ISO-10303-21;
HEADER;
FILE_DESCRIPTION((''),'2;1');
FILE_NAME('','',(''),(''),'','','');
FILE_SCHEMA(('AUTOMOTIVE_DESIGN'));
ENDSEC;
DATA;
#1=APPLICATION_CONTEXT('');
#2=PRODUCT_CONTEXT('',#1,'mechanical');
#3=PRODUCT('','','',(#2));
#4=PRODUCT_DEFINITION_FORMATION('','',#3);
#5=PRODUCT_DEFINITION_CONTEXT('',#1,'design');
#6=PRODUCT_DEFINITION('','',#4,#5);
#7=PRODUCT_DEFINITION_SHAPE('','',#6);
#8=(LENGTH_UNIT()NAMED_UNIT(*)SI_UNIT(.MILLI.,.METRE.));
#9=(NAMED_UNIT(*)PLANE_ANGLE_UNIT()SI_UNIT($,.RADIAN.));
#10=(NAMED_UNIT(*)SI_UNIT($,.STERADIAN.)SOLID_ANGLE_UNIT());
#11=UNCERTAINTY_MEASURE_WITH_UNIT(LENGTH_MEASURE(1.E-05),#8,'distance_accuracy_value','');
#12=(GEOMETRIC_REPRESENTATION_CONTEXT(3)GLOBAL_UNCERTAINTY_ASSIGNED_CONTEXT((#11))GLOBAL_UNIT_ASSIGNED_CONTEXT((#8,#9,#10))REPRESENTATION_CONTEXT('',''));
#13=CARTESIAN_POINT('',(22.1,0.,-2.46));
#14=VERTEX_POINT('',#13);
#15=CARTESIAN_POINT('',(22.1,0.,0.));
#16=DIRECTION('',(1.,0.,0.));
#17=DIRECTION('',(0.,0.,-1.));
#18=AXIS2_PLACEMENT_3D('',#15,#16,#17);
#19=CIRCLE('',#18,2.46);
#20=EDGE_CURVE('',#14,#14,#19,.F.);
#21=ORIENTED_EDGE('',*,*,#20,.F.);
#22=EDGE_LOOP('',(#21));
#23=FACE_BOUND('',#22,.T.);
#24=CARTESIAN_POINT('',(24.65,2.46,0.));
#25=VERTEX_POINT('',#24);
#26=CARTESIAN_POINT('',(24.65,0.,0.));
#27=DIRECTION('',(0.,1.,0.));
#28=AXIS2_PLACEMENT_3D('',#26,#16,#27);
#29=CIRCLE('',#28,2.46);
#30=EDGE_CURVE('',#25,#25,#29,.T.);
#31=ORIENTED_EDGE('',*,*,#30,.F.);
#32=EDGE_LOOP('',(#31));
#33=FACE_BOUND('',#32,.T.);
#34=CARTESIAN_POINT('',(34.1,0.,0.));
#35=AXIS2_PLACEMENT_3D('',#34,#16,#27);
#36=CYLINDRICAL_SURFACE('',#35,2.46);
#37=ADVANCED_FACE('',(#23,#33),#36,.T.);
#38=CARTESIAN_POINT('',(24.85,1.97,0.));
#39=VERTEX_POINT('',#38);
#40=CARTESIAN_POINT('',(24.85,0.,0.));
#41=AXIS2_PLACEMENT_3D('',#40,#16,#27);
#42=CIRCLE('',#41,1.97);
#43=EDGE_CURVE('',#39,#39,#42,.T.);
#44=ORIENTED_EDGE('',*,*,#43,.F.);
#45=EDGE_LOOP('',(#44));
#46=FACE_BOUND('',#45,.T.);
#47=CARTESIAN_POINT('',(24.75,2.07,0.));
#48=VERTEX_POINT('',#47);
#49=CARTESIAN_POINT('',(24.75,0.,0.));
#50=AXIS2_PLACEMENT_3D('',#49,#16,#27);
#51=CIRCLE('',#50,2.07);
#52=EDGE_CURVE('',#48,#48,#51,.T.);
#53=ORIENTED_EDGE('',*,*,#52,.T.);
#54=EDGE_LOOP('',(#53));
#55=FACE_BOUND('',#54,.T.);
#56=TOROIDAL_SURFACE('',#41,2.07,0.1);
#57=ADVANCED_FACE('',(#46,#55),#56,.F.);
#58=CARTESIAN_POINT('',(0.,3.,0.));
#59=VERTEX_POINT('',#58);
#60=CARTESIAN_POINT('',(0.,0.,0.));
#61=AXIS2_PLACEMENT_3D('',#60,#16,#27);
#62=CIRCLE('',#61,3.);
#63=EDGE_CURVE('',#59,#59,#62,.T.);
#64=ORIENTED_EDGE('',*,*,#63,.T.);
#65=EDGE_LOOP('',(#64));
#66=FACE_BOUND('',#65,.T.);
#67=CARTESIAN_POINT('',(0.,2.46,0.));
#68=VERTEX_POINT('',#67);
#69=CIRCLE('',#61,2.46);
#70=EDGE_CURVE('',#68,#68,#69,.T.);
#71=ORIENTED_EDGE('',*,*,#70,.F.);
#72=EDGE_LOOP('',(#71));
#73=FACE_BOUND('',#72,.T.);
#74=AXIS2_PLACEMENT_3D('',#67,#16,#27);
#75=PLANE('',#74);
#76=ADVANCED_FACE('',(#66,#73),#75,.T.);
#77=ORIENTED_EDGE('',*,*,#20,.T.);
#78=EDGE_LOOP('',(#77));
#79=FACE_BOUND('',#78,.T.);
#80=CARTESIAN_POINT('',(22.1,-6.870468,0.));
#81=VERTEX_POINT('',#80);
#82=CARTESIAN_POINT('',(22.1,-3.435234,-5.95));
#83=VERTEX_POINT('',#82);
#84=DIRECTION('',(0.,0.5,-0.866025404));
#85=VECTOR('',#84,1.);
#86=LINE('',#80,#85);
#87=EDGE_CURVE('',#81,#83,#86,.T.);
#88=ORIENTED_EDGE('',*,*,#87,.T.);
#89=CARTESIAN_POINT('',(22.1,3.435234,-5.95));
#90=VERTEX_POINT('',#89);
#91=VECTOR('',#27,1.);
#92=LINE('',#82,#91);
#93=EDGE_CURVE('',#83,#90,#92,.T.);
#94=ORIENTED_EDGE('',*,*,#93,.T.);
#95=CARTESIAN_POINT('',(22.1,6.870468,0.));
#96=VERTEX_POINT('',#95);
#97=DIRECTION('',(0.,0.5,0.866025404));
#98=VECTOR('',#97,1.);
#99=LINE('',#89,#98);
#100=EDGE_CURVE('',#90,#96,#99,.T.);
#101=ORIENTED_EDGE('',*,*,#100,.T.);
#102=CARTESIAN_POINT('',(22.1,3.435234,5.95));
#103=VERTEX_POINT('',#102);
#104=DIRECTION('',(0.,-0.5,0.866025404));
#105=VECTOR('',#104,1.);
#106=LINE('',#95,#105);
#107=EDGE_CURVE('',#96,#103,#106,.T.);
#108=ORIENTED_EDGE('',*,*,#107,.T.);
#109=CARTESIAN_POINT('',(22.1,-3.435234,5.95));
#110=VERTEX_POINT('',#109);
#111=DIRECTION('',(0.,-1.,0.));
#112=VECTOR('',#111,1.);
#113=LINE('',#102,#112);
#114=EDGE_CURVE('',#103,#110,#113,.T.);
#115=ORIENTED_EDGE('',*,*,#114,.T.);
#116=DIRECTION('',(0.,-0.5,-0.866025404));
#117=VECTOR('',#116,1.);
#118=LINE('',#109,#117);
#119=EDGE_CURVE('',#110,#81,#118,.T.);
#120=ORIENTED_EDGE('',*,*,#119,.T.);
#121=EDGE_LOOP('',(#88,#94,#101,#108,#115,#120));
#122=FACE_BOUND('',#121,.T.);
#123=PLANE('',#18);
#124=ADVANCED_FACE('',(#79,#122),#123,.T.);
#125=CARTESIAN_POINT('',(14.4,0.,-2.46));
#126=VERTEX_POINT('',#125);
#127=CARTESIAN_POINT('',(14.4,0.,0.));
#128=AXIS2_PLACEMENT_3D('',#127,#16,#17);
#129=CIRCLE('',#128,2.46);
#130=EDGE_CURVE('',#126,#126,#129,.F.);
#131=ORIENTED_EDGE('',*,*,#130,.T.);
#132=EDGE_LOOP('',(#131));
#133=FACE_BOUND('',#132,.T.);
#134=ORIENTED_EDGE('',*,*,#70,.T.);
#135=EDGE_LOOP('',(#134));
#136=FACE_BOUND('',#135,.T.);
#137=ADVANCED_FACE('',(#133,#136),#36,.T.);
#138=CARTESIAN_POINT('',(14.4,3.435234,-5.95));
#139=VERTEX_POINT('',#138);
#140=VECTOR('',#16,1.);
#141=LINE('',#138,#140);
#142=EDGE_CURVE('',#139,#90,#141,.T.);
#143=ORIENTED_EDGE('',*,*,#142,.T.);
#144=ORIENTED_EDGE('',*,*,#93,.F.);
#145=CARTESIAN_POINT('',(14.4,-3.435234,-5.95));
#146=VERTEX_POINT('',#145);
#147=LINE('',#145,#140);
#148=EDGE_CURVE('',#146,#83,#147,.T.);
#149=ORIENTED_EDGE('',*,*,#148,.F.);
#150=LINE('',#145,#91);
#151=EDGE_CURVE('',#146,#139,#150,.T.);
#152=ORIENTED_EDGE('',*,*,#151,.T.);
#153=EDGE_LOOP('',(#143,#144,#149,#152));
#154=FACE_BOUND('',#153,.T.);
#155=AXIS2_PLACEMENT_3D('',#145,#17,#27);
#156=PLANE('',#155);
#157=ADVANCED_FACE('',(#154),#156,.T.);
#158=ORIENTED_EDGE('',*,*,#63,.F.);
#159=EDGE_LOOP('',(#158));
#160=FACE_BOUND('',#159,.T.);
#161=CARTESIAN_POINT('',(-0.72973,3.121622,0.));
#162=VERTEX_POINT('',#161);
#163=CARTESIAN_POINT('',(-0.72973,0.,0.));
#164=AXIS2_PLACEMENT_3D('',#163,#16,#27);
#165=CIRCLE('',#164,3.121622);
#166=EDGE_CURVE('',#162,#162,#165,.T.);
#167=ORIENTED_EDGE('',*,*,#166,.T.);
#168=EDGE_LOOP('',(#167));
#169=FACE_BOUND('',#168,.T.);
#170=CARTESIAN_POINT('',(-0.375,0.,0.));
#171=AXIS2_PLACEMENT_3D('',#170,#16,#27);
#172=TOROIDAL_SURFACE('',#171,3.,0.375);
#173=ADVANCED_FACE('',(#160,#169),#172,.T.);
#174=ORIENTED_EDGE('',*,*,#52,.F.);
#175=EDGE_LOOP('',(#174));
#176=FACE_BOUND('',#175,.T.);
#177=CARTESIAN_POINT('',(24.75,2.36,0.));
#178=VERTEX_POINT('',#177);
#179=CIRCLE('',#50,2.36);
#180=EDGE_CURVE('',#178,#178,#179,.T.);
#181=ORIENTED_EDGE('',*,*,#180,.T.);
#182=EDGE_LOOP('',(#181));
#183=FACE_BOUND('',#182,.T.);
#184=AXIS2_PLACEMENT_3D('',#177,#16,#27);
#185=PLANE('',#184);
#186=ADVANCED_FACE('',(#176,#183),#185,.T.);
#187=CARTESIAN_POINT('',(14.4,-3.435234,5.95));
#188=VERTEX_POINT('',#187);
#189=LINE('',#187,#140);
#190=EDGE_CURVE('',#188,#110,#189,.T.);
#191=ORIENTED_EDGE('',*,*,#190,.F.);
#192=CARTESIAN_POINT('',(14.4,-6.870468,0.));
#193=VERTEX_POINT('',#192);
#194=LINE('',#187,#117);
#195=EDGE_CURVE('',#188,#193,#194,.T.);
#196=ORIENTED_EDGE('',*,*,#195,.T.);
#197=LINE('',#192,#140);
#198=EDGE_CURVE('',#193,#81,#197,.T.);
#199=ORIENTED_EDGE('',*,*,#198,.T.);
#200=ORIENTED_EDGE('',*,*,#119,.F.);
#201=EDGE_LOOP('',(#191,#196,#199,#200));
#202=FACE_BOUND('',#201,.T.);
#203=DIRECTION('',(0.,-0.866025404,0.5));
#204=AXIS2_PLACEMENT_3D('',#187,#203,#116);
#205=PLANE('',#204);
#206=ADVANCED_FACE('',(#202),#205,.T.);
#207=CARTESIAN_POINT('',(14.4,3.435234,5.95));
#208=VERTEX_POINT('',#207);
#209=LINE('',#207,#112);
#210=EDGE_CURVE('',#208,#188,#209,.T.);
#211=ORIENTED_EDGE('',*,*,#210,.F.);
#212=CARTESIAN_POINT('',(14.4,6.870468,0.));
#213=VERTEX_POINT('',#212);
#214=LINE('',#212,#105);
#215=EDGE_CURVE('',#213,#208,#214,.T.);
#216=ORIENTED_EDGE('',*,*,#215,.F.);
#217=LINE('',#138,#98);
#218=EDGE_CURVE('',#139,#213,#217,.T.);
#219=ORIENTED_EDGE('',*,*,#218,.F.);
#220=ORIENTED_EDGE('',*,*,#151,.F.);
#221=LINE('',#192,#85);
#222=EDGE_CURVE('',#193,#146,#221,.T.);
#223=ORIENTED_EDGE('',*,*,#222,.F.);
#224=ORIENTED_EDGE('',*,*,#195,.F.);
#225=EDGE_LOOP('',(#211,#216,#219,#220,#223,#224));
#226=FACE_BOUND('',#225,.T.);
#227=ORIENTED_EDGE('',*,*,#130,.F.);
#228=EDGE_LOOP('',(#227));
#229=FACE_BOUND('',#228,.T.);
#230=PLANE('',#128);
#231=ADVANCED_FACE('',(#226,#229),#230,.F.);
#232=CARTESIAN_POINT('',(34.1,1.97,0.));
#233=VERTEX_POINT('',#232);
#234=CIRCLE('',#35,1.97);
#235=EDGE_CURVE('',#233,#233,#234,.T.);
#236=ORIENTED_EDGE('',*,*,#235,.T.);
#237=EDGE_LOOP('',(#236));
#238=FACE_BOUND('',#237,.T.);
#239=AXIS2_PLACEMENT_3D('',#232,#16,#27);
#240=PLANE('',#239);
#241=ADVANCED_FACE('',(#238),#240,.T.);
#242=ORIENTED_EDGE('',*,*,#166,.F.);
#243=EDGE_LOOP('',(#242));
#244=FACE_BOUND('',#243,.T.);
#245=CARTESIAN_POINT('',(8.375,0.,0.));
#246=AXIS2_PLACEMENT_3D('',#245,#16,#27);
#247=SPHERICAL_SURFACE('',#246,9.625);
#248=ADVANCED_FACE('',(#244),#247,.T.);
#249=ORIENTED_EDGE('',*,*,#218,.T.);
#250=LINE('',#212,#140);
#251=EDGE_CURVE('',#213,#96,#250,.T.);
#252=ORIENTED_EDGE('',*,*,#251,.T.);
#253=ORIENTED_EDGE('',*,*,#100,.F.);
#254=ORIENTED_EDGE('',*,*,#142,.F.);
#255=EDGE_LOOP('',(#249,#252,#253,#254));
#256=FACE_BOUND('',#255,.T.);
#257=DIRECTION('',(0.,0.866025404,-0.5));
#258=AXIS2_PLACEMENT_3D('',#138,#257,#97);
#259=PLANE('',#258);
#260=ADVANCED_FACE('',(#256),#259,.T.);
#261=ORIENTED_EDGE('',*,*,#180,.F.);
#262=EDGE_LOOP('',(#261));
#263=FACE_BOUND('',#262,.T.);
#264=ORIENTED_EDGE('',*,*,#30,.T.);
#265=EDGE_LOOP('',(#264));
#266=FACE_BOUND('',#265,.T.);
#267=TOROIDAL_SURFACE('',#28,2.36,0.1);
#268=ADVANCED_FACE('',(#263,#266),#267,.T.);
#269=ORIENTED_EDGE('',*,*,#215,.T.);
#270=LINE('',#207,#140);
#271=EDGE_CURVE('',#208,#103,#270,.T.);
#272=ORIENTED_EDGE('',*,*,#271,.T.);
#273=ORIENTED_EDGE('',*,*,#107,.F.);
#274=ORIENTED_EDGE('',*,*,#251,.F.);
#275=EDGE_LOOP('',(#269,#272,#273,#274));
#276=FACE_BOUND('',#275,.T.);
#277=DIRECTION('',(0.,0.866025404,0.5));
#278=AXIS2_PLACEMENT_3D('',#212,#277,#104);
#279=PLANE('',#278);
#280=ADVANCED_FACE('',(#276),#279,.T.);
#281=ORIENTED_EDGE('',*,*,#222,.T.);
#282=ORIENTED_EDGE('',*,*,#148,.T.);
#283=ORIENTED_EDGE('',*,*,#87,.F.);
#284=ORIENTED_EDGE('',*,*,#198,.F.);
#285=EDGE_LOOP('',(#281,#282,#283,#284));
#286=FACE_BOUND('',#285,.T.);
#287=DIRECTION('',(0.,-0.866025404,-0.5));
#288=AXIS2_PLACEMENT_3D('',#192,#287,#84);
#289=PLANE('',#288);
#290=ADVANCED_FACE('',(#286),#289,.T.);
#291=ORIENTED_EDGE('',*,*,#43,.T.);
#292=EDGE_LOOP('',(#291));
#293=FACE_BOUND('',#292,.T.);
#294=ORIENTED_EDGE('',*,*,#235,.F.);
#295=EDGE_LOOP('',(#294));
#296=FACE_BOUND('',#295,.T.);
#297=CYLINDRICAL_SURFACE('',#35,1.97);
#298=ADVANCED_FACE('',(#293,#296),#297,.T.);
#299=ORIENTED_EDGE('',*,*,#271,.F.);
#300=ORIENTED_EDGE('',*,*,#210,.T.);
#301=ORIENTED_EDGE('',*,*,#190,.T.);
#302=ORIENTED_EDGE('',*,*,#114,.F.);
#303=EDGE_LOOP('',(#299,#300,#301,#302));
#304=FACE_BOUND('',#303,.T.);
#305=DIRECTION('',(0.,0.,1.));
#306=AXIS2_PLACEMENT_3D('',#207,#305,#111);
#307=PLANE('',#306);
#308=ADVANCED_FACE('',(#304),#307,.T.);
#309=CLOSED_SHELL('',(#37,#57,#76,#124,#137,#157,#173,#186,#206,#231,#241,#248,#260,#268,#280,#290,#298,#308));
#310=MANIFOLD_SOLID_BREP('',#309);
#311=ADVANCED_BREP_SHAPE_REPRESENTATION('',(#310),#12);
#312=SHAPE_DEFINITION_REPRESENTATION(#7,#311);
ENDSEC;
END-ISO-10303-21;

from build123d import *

# Parameters (mm, degrees)
BOSS_EXTRUDE1_DEPTH = 7.7


with BuildPart() as part:
    # Sketch1 → Revolve1 (revolve)
    with BuildSketch(Plane.XY):
        with BuildLine():
            Line((0, 2.46), (0, 3))
            ThreePointArc((0, 3), (-0.31335038, 3.369897721), (-0.72972973, 3.121621622))
            ThreePointArc((-0.72972973, 3.121621622), (-1.119041517, 1.582340253), (-1.25, 0))
            Line((-1.25, 0), (34.1, 0))
            Line((34.1, 0), (34.1, 1.97))
            Line((34.1, 1.97), (24.85, 1.97))
            ThreePointArc((24.85, 1.97), (24.779289322, 1.999289322), (24.75, 2.07))
            Line((24.75, 2.07), (24.75, 2.36))
            ThreePointArc((24.75, 2.36), (24.720710678, 2.430710678), (24.65, 2.46))
            Line((24.65, 2.46), (0, 2.46))
        make_face()
    revolve(axis=Axis((34.1, 0, 0), (-1, 0, 0)))

    # Sketch2 → Boss-Extrude1 (add)
    with BuildSketch(Plane(origin=(22.1, 0, 0), x_dir=(0, 0, -1), z_dir=(1, 0, 0))):
        Polygon((-5.95, 3.435234102), (-5.95, -3.435234102), (0, -6.870468203), (5.95, -3.435234102), (5.95, 3.435234102), (0, 6.870468203), align=None)
    extrude(amount=-BOSS_EXTRUDE1_DEPTH)


solid = part.part
